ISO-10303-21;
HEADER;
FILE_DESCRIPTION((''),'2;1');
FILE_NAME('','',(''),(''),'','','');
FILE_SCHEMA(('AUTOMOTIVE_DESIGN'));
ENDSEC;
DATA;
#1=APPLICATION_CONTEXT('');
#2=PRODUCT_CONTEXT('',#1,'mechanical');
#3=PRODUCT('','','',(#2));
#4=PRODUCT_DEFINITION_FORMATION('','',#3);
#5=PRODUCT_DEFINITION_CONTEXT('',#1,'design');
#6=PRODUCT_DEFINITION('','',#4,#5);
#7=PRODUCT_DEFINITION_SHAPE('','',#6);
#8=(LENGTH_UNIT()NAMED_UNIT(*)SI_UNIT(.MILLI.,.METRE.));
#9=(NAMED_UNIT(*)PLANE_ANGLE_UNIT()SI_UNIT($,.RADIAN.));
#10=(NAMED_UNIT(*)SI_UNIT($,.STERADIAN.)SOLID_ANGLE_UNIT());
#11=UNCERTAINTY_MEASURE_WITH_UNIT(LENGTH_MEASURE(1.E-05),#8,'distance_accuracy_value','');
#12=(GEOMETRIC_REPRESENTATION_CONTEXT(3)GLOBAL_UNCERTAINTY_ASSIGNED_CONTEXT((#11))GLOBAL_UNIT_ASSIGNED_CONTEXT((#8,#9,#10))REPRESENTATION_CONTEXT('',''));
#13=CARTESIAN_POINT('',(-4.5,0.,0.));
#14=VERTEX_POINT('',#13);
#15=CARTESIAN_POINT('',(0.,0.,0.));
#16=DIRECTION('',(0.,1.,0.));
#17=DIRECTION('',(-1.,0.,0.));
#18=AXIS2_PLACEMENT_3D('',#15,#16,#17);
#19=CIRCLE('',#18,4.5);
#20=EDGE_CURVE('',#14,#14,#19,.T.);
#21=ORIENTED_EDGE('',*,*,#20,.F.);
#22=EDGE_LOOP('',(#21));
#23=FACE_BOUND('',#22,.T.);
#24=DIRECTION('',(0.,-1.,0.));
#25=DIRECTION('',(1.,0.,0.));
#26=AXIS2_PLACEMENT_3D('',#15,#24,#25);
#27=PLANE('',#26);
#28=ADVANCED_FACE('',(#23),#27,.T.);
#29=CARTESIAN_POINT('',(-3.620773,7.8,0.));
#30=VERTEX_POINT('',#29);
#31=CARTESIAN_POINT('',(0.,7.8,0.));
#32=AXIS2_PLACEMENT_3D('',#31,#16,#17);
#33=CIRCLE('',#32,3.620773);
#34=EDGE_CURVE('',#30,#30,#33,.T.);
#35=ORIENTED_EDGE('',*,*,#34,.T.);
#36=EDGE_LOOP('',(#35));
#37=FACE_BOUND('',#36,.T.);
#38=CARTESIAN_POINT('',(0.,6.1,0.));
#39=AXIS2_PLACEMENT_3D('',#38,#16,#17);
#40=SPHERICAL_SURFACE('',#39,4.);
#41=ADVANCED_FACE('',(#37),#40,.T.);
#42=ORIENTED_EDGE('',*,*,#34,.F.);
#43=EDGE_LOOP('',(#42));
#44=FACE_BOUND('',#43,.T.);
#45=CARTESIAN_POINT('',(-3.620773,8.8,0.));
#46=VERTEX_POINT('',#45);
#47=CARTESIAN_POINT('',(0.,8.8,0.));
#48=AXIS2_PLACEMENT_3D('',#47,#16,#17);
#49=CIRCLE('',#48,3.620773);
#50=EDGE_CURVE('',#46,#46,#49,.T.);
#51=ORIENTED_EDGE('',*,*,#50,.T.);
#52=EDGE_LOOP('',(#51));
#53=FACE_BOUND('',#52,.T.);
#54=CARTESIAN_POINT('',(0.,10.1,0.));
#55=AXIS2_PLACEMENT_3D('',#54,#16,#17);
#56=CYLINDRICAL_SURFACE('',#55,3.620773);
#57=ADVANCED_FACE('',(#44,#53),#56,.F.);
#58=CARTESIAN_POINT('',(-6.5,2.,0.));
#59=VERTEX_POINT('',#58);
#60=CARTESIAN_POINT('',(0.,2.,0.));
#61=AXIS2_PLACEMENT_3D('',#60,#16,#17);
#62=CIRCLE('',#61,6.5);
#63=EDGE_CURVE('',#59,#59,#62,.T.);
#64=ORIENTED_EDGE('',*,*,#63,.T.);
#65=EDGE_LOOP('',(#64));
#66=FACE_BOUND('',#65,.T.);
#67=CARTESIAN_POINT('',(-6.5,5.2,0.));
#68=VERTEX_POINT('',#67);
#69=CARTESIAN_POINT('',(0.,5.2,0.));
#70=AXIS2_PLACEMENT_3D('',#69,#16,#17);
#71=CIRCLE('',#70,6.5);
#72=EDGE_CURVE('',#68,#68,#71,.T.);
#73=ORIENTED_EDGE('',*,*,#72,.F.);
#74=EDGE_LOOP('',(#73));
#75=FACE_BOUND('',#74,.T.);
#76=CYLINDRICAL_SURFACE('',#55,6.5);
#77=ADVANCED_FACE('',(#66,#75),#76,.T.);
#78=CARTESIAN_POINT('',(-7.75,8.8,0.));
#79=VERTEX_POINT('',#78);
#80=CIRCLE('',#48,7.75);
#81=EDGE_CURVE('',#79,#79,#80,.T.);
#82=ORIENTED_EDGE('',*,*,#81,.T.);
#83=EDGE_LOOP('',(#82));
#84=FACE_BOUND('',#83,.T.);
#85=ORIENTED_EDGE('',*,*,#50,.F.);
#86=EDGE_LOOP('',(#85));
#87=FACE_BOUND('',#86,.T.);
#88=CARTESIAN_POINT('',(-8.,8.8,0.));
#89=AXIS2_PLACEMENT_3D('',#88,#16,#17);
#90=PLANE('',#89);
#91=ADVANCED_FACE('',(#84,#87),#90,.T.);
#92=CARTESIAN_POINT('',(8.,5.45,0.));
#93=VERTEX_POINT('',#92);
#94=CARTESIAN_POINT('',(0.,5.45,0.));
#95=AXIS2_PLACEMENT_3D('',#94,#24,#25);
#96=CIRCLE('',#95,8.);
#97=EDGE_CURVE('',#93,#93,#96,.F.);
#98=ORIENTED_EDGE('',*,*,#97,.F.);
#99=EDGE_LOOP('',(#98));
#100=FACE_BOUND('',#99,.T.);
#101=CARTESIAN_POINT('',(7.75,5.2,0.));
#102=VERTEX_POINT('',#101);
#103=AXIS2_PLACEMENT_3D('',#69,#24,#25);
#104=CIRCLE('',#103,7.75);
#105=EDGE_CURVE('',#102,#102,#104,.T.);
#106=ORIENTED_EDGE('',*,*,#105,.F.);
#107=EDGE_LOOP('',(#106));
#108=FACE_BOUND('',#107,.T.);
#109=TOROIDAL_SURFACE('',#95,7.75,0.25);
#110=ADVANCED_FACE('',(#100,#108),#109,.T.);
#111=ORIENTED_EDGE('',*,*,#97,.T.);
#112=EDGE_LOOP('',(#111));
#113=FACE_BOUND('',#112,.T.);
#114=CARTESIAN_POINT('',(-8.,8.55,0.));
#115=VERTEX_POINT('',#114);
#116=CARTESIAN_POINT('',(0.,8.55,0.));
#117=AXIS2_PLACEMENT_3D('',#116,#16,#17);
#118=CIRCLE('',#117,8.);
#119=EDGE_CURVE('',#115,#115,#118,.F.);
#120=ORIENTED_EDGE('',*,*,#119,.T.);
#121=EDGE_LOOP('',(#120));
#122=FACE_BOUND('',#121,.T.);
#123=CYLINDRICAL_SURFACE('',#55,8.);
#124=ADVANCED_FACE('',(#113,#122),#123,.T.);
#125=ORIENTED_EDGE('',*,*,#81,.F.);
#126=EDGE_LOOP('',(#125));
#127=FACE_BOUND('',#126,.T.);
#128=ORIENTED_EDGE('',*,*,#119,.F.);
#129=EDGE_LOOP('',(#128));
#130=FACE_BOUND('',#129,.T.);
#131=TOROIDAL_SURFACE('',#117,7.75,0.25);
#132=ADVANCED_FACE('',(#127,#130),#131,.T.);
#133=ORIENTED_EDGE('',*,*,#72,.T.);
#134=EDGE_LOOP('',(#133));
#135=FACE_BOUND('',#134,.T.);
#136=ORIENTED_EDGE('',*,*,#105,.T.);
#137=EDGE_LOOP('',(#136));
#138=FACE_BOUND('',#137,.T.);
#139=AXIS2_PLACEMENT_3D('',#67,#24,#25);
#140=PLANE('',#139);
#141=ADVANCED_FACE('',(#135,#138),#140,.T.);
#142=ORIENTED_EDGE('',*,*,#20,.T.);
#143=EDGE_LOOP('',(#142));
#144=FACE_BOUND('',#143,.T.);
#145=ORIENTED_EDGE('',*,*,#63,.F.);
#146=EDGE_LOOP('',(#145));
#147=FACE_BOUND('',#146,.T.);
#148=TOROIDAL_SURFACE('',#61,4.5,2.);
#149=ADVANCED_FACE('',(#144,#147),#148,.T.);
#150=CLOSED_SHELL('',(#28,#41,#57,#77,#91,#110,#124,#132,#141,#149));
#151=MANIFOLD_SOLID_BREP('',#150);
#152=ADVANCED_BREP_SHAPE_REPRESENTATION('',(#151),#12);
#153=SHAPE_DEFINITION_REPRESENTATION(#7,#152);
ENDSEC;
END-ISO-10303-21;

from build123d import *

# Parameters (mm, degrees)
CONG_1_R = 0.25


with BuildPart() as part:
    # Esquisse1 → Révolution1 (revolve)
    with BuildSketch(Plane.XY):
        with BuildLine():
            Line((0, 0), (-4.5, 0))
            ThreePointArc((-4.5, 0), (-5.914213562, 0.585786438), (-6.5, 2))
            Line((-6.5, 2), (-6.5, 5.2))
            Line((-6.5, 5.2), (-8, 5.2))
            Line((-8, 5.2), (-8, 8.8))
            Line((-8, 8.8), (-3.620773398, 8.8))
            Line((-3.620773398, 8.8), (-3.620773398, 7.8))
            ThreePointArc((-3.620773398, 7.8), (-2.144761059, 9.476388603), (0, 10.1))
            Line((0, 10.1), (0, 0))
        make_face()
    revolve(axis=Axis((0, 10.1, 0), (0, -1, 0)))

    # Congé1
    cong_1_edges = [part.edges().sort_by_distance(p)[0] for p in [
        (8, 8.8, 0),
        (8, 5.2, 0),
    ]]
    fillet(cong_1_edges, radius=CONG_1_R)


solid = part.part
